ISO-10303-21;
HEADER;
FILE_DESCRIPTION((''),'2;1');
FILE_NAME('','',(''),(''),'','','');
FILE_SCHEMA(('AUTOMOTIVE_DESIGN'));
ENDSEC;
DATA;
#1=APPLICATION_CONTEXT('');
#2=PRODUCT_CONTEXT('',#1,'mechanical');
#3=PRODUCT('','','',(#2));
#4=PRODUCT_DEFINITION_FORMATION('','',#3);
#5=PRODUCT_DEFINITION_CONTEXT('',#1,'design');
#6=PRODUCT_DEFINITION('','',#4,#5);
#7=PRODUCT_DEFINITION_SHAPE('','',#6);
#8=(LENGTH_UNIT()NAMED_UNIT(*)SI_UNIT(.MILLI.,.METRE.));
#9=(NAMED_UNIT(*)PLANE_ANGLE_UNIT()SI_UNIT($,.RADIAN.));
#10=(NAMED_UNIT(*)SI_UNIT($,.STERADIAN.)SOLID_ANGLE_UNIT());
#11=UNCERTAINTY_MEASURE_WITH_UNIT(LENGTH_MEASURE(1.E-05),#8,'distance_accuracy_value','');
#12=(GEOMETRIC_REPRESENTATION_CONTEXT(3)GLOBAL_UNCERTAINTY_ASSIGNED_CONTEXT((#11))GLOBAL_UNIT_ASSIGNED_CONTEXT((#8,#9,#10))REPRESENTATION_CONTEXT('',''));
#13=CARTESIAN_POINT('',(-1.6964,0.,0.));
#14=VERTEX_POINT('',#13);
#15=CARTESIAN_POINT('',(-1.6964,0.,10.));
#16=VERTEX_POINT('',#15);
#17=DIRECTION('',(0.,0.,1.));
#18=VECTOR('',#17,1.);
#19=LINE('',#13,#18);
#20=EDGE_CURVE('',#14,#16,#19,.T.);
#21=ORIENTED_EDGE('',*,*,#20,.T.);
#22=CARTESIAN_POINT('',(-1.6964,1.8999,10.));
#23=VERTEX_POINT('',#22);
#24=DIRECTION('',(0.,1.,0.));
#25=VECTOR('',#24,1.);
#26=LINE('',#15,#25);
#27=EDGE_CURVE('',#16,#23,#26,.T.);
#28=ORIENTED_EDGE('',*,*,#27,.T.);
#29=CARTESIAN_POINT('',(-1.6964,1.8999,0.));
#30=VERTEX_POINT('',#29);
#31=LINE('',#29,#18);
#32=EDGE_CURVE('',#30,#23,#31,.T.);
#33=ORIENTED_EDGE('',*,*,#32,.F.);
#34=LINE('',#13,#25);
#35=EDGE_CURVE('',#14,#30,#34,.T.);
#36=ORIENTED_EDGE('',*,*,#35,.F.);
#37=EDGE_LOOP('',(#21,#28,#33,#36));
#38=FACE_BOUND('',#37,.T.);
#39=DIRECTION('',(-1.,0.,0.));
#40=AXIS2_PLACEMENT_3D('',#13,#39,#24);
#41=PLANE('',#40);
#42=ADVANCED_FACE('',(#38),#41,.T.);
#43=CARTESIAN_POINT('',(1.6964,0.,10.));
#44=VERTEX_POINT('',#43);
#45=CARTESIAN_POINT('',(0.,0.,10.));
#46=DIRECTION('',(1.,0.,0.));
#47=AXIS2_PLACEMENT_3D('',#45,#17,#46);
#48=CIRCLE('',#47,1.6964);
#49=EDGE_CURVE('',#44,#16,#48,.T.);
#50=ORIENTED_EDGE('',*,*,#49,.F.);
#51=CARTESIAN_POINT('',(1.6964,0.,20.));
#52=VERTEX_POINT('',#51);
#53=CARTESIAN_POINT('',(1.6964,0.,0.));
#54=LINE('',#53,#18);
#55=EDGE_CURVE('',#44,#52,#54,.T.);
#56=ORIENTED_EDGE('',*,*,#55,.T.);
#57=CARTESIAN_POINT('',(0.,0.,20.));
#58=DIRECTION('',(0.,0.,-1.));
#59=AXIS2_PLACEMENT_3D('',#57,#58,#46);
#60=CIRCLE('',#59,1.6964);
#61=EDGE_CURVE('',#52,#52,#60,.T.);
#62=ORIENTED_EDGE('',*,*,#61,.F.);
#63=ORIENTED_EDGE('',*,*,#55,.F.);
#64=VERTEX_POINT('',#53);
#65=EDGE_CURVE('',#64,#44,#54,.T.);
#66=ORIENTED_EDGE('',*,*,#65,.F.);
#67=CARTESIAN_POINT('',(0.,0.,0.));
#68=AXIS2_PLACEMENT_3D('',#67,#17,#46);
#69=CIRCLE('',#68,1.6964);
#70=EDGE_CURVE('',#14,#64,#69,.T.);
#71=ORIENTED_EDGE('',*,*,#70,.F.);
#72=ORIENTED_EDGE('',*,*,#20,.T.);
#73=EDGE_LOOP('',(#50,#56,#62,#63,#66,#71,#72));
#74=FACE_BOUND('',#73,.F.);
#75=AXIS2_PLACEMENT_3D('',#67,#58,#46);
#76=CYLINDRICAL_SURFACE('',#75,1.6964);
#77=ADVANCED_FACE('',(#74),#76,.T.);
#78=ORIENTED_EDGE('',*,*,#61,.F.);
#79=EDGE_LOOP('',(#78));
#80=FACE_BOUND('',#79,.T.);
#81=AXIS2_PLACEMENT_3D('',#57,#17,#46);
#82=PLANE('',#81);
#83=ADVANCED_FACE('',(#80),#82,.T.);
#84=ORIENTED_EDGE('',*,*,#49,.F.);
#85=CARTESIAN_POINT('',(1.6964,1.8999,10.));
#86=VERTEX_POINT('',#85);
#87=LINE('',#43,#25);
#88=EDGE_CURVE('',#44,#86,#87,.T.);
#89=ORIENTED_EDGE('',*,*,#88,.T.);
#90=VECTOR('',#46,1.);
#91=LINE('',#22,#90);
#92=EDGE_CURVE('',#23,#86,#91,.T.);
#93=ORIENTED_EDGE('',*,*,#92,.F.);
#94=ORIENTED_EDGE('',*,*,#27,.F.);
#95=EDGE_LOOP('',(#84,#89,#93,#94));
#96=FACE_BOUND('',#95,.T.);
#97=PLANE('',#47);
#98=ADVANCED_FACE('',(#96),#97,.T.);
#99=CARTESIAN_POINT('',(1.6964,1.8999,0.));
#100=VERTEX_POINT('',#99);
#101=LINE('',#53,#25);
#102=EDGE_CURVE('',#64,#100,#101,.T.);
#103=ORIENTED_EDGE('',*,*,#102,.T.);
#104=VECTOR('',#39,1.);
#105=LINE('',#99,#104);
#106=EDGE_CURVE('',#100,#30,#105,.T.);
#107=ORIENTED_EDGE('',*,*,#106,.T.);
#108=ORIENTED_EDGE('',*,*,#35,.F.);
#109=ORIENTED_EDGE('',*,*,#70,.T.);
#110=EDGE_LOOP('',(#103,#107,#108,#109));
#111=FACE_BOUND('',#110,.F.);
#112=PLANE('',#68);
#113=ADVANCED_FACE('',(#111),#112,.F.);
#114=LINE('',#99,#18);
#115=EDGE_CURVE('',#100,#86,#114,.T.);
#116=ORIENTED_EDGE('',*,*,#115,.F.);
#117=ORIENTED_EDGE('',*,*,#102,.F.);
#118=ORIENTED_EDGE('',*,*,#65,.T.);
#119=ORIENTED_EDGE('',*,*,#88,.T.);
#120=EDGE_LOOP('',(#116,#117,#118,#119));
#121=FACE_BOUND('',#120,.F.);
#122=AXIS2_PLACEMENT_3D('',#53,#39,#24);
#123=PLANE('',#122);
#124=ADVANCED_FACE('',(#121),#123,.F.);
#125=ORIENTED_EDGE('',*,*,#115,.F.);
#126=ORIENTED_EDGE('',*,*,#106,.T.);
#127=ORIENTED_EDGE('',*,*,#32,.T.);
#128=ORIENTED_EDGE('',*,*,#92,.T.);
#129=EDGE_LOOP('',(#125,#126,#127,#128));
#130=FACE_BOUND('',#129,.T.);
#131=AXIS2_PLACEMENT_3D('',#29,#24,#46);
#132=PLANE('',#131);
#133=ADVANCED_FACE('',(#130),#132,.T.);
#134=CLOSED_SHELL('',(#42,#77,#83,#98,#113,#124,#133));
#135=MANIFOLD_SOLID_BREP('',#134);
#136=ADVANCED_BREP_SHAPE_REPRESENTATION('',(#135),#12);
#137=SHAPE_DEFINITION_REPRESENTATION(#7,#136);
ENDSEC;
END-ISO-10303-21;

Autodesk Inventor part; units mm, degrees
ref_plane "YZ Plane" through (0, 0, 0) normal (1, 0, 0) x (0, 1, 0)
ref_plane "XZ Plane" through (0, 0, 0) normal (0, 1, 0) x (-1, 0, 0)
ref_plane "XY Plane" through (0, 0, 0) normal (0, 0, 1) x (1, 0, 0)
sketch "Sketch1" plane through (0, 0, 0) normal (0, 0, 1) x (1, 0, 0)
  circle A0 centre (0, 0) radius 1.6964
  line L0 (0, 0) -> (1.6964, 0)
  line L1 (1.6964, 0) -> (1.6964, 1.8999)
  line L2 (1.6964, 1.8999) -> (0, 1.8999)
  line L3 (0, 1.8999) -> (0, 0)
  line L4 (0, 0) -> (-1.6964, 0)
  line L5 (-1.6964, 0) -> (-1.6964, 1.8999)
  line L6 (-1.6964, 1.8999) -> (0, 1.8999)
  line L7 (0, 1.8999) -> (0, 0)
  point P0 (0, 1.6964)
extrude "Extrusion1" add sketch "Sketch1" along normal blind 20 contours L4 L0 A0 | A0 L3 L4 | L0 L3 A0
extrude "Extrusion2" add sketch "Sketch1" along normal blind 10 contours L5 L6 L3 A0 | A0 L3 L2 L1
properties part number "Sensor"
